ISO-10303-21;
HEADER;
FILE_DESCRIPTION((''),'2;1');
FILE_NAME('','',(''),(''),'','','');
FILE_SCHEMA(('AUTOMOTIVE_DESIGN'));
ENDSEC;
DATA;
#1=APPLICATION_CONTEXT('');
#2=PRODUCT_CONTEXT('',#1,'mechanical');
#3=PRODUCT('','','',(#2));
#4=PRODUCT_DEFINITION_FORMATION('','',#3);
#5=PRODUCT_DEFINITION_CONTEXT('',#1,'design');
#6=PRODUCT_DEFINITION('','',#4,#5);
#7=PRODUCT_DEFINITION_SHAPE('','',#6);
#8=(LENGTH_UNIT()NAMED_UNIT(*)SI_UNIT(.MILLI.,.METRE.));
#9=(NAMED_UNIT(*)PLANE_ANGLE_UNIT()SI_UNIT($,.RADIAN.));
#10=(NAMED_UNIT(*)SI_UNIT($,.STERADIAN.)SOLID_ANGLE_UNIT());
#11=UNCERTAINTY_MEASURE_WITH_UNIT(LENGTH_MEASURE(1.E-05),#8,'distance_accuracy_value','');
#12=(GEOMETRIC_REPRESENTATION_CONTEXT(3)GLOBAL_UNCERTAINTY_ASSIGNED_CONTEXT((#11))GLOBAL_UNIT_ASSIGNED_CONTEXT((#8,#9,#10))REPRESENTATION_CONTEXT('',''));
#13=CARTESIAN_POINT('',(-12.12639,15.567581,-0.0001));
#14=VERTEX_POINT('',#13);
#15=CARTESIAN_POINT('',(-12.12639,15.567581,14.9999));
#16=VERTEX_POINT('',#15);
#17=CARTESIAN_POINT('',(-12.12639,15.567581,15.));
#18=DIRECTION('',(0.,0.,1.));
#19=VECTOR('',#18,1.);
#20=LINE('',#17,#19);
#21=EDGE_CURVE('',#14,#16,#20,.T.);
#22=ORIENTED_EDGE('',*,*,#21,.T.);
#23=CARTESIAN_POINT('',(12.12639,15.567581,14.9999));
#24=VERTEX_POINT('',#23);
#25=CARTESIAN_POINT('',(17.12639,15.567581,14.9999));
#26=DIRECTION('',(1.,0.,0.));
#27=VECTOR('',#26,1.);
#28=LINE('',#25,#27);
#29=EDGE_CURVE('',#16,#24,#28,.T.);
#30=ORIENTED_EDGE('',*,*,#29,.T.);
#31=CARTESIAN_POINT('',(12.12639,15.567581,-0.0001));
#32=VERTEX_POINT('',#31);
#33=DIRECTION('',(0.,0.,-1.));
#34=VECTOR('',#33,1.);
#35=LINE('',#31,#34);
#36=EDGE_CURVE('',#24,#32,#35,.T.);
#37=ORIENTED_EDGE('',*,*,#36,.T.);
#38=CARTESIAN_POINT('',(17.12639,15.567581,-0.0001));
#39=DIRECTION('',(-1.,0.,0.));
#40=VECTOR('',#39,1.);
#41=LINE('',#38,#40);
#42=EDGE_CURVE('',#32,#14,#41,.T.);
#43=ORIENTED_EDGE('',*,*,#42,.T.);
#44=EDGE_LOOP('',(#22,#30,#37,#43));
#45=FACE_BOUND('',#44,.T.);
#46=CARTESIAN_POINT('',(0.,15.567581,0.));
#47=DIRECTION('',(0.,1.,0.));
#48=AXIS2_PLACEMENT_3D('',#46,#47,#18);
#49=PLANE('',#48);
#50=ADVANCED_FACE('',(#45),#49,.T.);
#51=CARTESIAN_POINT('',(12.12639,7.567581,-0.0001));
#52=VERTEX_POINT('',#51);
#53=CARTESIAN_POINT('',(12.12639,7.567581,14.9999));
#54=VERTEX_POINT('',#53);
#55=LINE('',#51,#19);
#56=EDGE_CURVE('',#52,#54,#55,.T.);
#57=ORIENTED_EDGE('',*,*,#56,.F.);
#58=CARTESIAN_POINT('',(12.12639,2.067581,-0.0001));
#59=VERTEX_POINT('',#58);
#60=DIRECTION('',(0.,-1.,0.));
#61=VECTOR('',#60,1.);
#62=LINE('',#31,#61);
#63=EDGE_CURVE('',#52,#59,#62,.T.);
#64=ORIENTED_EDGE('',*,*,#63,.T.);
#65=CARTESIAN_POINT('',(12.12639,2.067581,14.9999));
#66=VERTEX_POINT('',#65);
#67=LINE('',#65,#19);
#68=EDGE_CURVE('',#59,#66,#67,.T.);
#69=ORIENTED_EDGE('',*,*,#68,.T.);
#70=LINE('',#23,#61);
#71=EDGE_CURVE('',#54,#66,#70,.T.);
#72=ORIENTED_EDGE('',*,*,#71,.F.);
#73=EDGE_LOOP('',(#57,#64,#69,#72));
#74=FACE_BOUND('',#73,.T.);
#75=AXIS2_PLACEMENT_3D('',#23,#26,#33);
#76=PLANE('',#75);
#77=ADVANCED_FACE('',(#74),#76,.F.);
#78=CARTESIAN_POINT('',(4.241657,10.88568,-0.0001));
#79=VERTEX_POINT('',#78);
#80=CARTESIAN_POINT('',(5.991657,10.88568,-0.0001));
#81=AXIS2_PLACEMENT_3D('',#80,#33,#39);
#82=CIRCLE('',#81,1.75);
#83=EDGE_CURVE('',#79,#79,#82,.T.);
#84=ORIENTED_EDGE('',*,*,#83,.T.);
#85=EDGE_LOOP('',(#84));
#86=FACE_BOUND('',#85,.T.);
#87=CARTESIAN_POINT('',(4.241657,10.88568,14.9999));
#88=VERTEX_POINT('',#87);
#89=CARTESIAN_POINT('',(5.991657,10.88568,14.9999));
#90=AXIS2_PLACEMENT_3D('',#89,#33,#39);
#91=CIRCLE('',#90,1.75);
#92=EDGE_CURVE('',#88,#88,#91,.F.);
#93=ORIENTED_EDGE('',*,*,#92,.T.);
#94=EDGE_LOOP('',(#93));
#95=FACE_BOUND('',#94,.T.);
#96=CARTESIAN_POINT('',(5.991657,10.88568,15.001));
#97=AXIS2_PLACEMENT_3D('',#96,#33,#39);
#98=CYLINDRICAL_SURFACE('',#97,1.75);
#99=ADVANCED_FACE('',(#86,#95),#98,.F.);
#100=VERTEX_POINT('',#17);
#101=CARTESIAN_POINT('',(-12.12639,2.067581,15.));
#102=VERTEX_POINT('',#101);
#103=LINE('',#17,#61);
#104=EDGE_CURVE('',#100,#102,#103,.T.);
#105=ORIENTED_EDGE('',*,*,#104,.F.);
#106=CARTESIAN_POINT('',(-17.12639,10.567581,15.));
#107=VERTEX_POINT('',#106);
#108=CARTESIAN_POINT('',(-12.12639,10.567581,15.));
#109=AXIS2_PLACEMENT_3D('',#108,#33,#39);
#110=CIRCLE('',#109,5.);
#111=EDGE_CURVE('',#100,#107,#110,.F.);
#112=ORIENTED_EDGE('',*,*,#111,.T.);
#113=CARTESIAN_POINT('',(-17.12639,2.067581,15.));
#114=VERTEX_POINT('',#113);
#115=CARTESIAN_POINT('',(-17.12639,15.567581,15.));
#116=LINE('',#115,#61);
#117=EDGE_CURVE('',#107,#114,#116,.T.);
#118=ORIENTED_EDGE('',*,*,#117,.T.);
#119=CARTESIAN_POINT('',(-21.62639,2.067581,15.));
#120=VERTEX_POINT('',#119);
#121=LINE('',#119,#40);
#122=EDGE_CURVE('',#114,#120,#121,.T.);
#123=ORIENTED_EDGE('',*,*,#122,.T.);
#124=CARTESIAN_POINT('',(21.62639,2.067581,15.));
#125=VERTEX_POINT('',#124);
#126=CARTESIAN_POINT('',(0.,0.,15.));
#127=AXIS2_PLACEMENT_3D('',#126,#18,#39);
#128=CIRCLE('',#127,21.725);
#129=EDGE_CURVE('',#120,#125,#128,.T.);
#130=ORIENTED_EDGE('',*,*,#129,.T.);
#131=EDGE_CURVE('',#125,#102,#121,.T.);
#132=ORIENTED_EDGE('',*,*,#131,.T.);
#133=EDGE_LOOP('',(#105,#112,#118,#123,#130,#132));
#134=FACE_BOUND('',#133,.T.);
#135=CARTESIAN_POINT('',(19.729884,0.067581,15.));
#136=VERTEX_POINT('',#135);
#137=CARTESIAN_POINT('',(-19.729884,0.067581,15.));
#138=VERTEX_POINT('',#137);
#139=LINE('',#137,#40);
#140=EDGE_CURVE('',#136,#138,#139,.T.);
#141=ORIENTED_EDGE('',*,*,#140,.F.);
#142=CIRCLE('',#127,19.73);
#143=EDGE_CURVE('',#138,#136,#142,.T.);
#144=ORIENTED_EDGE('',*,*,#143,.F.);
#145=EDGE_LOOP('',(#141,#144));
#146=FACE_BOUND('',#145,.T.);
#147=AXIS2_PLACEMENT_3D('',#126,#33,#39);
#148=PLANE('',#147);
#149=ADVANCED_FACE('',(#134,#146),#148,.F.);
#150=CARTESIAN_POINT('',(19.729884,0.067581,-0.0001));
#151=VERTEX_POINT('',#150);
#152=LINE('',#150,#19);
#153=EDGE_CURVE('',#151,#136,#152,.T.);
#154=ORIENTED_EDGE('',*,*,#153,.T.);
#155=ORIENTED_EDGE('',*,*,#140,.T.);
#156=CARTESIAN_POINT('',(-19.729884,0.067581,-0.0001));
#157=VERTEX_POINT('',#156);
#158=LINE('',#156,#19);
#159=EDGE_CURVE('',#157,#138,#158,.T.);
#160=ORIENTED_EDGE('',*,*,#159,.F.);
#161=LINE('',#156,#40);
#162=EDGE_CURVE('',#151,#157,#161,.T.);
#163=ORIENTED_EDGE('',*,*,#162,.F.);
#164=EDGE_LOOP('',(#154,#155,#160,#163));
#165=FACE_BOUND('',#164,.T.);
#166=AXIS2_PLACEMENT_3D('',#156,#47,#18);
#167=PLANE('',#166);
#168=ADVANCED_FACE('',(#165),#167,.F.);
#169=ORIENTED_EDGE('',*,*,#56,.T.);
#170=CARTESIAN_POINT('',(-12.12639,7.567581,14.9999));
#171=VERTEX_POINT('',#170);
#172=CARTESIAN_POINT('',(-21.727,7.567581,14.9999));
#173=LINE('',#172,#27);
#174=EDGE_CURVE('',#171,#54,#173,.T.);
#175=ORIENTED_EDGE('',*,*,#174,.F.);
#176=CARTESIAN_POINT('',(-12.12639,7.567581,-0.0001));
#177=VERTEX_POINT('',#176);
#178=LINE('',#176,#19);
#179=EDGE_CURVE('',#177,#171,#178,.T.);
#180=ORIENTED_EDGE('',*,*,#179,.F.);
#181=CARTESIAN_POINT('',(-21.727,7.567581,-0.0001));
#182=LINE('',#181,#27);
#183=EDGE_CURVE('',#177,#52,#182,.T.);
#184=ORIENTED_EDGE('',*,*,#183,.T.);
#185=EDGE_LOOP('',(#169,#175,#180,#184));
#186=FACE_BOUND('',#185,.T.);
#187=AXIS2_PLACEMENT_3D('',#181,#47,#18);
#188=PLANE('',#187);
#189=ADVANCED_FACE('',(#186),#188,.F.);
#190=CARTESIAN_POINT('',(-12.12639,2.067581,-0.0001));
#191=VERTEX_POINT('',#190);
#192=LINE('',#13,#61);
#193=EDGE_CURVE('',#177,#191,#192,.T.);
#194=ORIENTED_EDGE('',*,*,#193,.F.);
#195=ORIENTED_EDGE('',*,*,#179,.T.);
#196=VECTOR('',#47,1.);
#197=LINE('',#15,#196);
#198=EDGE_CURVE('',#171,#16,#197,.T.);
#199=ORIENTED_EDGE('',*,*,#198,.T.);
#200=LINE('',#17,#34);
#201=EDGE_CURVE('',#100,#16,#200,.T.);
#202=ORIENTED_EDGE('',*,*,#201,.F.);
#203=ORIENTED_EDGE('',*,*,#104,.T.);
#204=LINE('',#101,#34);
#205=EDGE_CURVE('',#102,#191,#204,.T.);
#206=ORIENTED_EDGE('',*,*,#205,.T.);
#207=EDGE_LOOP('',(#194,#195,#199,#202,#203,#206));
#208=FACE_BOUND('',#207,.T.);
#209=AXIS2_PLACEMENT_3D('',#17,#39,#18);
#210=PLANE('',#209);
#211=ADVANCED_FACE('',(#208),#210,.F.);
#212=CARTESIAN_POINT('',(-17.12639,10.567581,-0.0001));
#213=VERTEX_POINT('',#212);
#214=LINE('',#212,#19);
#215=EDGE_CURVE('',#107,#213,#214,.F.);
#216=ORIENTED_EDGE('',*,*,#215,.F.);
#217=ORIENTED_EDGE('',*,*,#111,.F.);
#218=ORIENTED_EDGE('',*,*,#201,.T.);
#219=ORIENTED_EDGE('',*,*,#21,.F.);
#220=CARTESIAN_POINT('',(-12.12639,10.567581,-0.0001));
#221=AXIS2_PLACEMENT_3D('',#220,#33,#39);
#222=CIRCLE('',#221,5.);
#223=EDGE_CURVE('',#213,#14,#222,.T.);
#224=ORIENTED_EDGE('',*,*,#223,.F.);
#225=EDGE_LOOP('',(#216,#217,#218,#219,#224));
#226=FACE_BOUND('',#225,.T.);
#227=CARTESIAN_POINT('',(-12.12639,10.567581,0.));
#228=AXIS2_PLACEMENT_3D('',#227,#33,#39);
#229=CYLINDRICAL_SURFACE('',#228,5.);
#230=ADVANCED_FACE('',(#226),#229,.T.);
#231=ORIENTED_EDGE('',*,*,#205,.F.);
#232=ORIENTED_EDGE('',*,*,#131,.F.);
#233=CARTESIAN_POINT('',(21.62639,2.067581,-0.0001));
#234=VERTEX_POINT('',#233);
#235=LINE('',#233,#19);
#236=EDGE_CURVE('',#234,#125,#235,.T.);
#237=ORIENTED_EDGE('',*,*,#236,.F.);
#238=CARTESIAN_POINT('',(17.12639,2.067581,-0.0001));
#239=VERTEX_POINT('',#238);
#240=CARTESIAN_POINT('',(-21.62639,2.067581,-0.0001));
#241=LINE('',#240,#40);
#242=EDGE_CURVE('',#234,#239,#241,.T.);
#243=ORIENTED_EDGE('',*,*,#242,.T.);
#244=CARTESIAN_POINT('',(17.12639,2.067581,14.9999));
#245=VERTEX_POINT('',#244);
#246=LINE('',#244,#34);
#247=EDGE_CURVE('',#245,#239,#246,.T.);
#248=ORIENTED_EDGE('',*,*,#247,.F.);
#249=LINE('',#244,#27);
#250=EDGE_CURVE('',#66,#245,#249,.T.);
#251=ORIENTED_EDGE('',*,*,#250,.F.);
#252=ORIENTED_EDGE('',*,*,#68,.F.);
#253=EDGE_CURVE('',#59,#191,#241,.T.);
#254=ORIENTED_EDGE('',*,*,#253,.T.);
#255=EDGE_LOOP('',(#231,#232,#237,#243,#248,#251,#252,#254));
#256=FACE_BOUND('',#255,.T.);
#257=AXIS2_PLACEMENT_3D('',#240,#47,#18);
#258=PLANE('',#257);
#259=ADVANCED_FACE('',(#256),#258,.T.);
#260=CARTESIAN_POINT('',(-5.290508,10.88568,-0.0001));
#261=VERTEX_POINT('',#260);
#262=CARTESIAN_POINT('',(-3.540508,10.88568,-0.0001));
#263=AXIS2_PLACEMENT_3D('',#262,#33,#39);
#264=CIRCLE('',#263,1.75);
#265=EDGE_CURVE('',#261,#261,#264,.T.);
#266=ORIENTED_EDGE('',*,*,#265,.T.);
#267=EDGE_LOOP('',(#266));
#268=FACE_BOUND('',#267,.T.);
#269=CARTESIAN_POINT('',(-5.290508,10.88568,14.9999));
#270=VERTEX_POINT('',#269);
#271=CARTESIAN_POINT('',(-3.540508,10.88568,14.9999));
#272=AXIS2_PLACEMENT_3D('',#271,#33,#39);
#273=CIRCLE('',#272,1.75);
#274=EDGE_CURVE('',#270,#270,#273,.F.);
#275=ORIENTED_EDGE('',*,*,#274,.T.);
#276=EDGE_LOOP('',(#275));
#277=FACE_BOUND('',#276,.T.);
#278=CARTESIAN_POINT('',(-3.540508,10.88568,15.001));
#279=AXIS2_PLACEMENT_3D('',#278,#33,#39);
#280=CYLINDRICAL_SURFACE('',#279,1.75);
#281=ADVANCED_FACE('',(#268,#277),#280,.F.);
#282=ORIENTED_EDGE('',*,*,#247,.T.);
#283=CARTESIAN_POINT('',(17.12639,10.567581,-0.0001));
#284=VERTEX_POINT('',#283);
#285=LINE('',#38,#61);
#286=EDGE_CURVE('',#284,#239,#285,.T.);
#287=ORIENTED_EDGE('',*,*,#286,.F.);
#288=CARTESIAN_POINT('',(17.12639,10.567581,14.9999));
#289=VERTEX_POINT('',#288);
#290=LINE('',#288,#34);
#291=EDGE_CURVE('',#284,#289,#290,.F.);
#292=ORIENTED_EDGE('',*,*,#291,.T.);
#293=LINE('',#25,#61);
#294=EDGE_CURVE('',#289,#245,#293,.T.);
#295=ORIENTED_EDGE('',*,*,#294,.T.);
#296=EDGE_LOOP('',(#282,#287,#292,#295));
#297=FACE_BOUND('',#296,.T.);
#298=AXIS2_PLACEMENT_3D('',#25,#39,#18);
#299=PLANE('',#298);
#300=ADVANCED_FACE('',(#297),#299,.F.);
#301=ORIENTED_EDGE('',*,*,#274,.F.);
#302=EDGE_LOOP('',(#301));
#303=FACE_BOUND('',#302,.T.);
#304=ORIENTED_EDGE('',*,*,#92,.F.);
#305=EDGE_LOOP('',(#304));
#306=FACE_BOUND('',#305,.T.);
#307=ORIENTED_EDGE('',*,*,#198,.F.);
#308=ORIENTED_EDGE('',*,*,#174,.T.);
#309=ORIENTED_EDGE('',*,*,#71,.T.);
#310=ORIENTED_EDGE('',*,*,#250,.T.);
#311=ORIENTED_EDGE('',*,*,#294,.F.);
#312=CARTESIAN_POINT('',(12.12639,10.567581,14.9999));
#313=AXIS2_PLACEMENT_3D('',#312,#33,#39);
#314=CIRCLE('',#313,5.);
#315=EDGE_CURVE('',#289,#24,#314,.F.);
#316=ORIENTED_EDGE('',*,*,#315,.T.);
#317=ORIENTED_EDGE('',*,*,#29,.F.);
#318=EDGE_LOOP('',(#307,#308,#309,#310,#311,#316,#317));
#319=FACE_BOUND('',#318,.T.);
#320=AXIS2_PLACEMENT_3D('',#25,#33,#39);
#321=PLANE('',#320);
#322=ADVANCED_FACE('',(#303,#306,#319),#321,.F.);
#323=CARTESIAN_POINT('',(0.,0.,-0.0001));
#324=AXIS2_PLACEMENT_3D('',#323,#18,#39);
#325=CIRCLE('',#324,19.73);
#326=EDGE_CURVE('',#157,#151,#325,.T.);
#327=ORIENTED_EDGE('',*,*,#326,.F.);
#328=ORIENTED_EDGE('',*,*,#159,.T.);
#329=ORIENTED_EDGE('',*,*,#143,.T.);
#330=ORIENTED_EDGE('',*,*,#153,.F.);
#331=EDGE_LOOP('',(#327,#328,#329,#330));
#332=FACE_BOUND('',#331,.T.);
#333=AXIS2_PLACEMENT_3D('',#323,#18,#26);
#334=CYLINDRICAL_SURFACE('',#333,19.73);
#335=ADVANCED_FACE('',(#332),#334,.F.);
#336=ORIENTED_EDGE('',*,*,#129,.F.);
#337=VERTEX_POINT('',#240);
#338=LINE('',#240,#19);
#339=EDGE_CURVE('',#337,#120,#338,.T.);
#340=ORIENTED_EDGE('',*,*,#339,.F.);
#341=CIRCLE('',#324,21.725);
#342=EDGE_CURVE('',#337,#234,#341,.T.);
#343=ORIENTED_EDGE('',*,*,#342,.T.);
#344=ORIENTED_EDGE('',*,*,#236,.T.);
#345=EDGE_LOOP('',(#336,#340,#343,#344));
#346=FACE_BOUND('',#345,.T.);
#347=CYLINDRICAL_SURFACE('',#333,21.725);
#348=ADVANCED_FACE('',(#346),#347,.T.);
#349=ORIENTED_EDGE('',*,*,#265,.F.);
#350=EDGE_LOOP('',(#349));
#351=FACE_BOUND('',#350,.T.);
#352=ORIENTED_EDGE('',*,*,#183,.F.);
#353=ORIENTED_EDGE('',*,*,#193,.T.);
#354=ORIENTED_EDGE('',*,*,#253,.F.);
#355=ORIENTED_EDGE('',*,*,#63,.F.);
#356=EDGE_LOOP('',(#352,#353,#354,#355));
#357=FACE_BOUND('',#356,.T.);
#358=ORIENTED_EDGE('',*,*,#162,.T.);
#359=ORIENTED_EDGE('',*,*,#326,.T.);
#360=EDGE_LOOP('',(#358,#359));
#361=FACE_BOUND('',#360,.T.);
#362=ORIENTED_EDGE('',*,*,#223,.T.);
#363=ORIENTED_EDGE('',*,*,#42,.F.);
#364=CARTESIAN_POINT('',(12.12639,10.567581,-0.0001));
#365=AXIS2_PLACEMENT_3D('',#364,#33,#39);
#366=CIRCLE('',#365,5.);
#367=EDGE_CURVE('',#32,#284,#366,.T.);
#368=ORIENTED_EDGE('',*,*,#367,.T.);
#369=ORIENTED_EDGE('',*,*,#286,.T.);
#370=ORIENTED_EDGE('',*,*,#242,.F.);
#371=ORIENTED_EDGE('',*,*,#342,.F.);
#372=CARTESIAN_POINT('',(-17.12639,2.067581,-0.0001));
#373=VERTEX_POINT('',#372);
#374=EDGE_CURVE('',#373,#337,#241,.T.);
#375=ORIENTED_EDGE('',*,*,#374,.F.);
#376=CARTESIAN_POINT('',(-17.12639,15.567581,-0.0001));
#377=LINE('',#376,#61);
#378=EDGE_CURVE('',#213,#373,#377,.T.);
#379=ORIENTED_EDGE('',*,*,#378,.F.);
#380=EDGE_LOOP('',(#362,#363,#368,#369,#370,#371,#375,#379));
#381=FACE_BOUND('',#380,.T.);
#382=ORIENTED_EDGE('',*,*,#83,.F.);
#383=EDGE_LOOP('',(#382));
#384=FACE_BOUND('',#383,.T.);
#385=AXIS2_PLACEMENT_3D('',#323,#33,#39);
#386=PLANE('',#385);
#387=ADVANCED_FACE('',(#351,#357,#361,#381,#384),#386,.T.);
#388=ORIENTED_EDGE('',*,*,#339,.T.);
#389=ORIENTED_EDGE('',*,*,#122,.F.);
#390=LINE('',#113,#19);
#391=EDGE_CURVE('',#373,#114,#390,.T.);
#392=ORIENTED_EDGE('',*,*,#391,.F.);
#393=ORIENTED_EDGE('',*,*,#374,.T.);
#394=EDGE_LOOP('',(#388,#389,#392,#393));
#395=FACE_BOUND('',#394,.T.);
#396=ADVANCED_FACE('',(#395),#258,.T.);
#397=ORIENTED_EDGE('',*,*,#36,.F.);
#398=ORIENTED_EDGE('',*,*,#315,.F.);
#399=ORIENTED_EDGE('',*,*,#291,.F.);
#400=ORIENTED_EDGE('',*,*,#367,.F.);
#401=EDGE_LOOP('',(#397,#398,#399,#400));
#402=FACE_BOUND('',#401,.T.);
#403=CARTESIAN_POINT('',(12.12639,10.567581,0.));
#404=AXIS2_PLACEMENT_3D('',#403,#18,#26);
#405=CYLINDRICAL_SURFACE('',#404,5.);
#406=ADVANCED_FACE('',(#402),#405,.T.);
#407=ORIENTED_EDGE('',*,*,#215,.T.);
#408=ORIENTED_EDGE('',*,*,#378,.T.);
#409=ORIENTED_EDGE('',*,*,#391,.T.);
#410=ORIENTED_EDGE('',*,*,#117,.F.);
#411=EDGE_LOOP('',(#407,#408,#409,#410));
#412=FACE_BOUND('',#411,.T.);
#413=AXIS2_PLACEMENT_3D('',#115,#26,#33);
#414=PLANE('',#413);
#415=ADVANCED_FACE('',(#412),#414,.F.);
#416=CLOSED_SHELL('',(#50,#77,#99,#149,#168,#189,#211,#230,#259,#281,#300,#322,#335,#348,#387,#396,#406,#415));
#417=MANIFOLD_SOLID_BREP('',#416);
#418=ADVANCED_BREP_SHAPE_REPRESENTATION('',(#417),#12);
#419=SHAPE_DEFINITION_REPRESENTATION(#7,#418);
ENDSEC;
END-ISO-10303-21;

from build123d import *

# Parameters (mm, degrees)
BOSS_EXTRUDE3_DEPTH      = 15
BOSS_EXTRUDE3_DEPTH_BACK = 0.0001
CUT_EXTRUDE13_DEPTH      = 35.189972945
SKETCH31_W               = 5
SKETCH31_H               = 15
BOSS_EXTRUDE4_DEPTH      = 13.5
SKETCH32_W               = 5
SKETCH32_H               = 15.0001
BOSS_EXTRUDE5_DEPTH      = 13.5
BOSS_EXTRUDE6_REACH      = 44.929
SKETCH33_W               = 15
SKETCH33_H               = 8
CUT_EXTRUDE15_REACH      = 36.353
SKETCH34_R               = 1.75
SKETCH34_4_R             = 1.75
CUT_EXTRUDE16_DEPTH      = 15
FILLET1_R                = 5
FILLET2_R                = 5


with BuildPart() as part:
    # Sketch1 → Boss-Extrude3 (new, two sides: drawn at the far end of the back side and taken through both)
    with BuildSketch(Plane.XY.offset(-BOSS_EXTRUDE3_DEPTH_BACK)):
        with BuildLine():
            Line((-21.62638976, 2.067580939), (21.62638976, 2.067580939))
            ThreePointArc((21.62638976, 2.067580939), (0, -21.725), (-21.62638976, 2.067580939))
        make_face()
        with BuildLine():
            Line((18.013033205, -2.860307191), (-18.013033205, -2.860307191))
            ThreePointArc((-18.013033205, -2.860307191), (0, -18.238714935), (18.013033205, -2.860307191))
        make_face(mode=Mode.SUBTRACT)
    extrude(amount=BOSS_EXTRUDE3_DEPTH + BOSS_EXTRUDE3_DEPTH_BACK)

    # Sketch30 → Cut-Extrude13 (cut, through all)
    with BuildSketch(Plane.XY.offset(15)):
        with BuildLine():
            Line((-19.729884258, 0.067580939), (19.729884258, 0.067580939))
            ThreePointArc((19.729884258, 0.067580939), (0, -19.73), (-19.729884258, 0.067580939))
        make_face()
    extrude(amount=-CUT_EXTRUDE13_DEPTH, mode=Mode.SUBTRACT)

    # Sketch31 → Boss-Extrude4 (add)
    with BuildSketch(Plane(origin=(0, 2.067580939, 0), x_dir=(1, 0, 0), z_dir=(0, 1, 0))):
        with Locations((14.62638976, -7.4999)):
            Rectangle(SKETCH31_W, SKETCH31_H)
    extrude(amount=BOSS_EXTRUDE4_DEPTH)

    # Sketch32 → Boss-Extrude5 (add)
    with BuildSketch(Plane(origin=(0, 2.067580939, 0), x_dir=(1, 0, 0), z_dir=(0, 1, 0))):
        with Locations((-14.62638976, -7.49995)):
            Rectangle(SKETCH32_W, SKETCH32_H)
    extrude(amount=BOSS_EXTRUDE5_DEPTH)

    # Sketch33 → Boss-Extrude6 (add, up to next)
    with BuildSketch(Plane.ZY.offset(-12.12638976), mode=Mode.PRIVATE) as boss_extrude6_sk1:
        with Locations((7.4999, 11.567580939)):
            Rectangle(SKETCH33_W, SKETCH33_H)
    boss_extrude6_tool1 = extrude(boss_extrude6_sk1.sketch, amount=BOSS_EXTRUDE6_REACH, mode=Mode.PRIVATE) - part.part
    add(boss_extrude6_tool1.solids().sort_by_distance((12.12639, 11.567581, 7.4999))[0])

    # Sketch34 → Cut-Extrude15 (cut, up to next)
    with BuildSketch(Plane(origin=(0.255092403, 0, -0.0001), x_dir=(-1, 0, 0), z_dir=(0, 0, -1)), mode=Mode.PRIVATE) as cut_extrude15_sk1:
        with Locations((3.7956, 10.885680426)):
            Circle(SKETCH34_R)
    cut_extrude15_tool1 = extrude(cut_extrude15_sk1.sketch, amount=-CUT_EXTRUDE15_REACH, mode=Mode.PRIVATE) & part.part
    add(cut_extrude15_tool1.solids().sort_by_distance((-3.540508, 10.88568, -0.0001))[0], mode=Mode.SUBTRACT)

    # Sketch34<4> → Cut-Extrude16 (cut)
    with BuildSketch(Plane(origin=(0.255092403, 0, -0.0001), x_dir=(-1, 0, 0), z_dir=(0, 0, -1))):
        with Locations((-5.736564211, 10.885680426)):
            Circle(SKETCH34_4_R)
        with Locations((3.7956, 10.885680426)):
            Circle(SKETCH34_4_R)
    extrude(amount=-CUT_EXTRUDE16_DEPTH, mode=Mode.SUBTRACT)

    # Fillet1
    fillet1_edges = [part.edges().sort_by_distance(p)[0] for p in [
        (17.12638976, 15.567580939, 7.4999),
    ]]
    fillet(fillet1_edges, radius=FILLET1_R)

    # Fillet2
    fillet2_edges = [part.edges().sort_by_distance(p)[0] for p in [
        (-17.12638976, 15.567580939, 7.49995),
    ]]
    fillet(fillet2_edges, radius=FILLET2_R)


solid = part.part
